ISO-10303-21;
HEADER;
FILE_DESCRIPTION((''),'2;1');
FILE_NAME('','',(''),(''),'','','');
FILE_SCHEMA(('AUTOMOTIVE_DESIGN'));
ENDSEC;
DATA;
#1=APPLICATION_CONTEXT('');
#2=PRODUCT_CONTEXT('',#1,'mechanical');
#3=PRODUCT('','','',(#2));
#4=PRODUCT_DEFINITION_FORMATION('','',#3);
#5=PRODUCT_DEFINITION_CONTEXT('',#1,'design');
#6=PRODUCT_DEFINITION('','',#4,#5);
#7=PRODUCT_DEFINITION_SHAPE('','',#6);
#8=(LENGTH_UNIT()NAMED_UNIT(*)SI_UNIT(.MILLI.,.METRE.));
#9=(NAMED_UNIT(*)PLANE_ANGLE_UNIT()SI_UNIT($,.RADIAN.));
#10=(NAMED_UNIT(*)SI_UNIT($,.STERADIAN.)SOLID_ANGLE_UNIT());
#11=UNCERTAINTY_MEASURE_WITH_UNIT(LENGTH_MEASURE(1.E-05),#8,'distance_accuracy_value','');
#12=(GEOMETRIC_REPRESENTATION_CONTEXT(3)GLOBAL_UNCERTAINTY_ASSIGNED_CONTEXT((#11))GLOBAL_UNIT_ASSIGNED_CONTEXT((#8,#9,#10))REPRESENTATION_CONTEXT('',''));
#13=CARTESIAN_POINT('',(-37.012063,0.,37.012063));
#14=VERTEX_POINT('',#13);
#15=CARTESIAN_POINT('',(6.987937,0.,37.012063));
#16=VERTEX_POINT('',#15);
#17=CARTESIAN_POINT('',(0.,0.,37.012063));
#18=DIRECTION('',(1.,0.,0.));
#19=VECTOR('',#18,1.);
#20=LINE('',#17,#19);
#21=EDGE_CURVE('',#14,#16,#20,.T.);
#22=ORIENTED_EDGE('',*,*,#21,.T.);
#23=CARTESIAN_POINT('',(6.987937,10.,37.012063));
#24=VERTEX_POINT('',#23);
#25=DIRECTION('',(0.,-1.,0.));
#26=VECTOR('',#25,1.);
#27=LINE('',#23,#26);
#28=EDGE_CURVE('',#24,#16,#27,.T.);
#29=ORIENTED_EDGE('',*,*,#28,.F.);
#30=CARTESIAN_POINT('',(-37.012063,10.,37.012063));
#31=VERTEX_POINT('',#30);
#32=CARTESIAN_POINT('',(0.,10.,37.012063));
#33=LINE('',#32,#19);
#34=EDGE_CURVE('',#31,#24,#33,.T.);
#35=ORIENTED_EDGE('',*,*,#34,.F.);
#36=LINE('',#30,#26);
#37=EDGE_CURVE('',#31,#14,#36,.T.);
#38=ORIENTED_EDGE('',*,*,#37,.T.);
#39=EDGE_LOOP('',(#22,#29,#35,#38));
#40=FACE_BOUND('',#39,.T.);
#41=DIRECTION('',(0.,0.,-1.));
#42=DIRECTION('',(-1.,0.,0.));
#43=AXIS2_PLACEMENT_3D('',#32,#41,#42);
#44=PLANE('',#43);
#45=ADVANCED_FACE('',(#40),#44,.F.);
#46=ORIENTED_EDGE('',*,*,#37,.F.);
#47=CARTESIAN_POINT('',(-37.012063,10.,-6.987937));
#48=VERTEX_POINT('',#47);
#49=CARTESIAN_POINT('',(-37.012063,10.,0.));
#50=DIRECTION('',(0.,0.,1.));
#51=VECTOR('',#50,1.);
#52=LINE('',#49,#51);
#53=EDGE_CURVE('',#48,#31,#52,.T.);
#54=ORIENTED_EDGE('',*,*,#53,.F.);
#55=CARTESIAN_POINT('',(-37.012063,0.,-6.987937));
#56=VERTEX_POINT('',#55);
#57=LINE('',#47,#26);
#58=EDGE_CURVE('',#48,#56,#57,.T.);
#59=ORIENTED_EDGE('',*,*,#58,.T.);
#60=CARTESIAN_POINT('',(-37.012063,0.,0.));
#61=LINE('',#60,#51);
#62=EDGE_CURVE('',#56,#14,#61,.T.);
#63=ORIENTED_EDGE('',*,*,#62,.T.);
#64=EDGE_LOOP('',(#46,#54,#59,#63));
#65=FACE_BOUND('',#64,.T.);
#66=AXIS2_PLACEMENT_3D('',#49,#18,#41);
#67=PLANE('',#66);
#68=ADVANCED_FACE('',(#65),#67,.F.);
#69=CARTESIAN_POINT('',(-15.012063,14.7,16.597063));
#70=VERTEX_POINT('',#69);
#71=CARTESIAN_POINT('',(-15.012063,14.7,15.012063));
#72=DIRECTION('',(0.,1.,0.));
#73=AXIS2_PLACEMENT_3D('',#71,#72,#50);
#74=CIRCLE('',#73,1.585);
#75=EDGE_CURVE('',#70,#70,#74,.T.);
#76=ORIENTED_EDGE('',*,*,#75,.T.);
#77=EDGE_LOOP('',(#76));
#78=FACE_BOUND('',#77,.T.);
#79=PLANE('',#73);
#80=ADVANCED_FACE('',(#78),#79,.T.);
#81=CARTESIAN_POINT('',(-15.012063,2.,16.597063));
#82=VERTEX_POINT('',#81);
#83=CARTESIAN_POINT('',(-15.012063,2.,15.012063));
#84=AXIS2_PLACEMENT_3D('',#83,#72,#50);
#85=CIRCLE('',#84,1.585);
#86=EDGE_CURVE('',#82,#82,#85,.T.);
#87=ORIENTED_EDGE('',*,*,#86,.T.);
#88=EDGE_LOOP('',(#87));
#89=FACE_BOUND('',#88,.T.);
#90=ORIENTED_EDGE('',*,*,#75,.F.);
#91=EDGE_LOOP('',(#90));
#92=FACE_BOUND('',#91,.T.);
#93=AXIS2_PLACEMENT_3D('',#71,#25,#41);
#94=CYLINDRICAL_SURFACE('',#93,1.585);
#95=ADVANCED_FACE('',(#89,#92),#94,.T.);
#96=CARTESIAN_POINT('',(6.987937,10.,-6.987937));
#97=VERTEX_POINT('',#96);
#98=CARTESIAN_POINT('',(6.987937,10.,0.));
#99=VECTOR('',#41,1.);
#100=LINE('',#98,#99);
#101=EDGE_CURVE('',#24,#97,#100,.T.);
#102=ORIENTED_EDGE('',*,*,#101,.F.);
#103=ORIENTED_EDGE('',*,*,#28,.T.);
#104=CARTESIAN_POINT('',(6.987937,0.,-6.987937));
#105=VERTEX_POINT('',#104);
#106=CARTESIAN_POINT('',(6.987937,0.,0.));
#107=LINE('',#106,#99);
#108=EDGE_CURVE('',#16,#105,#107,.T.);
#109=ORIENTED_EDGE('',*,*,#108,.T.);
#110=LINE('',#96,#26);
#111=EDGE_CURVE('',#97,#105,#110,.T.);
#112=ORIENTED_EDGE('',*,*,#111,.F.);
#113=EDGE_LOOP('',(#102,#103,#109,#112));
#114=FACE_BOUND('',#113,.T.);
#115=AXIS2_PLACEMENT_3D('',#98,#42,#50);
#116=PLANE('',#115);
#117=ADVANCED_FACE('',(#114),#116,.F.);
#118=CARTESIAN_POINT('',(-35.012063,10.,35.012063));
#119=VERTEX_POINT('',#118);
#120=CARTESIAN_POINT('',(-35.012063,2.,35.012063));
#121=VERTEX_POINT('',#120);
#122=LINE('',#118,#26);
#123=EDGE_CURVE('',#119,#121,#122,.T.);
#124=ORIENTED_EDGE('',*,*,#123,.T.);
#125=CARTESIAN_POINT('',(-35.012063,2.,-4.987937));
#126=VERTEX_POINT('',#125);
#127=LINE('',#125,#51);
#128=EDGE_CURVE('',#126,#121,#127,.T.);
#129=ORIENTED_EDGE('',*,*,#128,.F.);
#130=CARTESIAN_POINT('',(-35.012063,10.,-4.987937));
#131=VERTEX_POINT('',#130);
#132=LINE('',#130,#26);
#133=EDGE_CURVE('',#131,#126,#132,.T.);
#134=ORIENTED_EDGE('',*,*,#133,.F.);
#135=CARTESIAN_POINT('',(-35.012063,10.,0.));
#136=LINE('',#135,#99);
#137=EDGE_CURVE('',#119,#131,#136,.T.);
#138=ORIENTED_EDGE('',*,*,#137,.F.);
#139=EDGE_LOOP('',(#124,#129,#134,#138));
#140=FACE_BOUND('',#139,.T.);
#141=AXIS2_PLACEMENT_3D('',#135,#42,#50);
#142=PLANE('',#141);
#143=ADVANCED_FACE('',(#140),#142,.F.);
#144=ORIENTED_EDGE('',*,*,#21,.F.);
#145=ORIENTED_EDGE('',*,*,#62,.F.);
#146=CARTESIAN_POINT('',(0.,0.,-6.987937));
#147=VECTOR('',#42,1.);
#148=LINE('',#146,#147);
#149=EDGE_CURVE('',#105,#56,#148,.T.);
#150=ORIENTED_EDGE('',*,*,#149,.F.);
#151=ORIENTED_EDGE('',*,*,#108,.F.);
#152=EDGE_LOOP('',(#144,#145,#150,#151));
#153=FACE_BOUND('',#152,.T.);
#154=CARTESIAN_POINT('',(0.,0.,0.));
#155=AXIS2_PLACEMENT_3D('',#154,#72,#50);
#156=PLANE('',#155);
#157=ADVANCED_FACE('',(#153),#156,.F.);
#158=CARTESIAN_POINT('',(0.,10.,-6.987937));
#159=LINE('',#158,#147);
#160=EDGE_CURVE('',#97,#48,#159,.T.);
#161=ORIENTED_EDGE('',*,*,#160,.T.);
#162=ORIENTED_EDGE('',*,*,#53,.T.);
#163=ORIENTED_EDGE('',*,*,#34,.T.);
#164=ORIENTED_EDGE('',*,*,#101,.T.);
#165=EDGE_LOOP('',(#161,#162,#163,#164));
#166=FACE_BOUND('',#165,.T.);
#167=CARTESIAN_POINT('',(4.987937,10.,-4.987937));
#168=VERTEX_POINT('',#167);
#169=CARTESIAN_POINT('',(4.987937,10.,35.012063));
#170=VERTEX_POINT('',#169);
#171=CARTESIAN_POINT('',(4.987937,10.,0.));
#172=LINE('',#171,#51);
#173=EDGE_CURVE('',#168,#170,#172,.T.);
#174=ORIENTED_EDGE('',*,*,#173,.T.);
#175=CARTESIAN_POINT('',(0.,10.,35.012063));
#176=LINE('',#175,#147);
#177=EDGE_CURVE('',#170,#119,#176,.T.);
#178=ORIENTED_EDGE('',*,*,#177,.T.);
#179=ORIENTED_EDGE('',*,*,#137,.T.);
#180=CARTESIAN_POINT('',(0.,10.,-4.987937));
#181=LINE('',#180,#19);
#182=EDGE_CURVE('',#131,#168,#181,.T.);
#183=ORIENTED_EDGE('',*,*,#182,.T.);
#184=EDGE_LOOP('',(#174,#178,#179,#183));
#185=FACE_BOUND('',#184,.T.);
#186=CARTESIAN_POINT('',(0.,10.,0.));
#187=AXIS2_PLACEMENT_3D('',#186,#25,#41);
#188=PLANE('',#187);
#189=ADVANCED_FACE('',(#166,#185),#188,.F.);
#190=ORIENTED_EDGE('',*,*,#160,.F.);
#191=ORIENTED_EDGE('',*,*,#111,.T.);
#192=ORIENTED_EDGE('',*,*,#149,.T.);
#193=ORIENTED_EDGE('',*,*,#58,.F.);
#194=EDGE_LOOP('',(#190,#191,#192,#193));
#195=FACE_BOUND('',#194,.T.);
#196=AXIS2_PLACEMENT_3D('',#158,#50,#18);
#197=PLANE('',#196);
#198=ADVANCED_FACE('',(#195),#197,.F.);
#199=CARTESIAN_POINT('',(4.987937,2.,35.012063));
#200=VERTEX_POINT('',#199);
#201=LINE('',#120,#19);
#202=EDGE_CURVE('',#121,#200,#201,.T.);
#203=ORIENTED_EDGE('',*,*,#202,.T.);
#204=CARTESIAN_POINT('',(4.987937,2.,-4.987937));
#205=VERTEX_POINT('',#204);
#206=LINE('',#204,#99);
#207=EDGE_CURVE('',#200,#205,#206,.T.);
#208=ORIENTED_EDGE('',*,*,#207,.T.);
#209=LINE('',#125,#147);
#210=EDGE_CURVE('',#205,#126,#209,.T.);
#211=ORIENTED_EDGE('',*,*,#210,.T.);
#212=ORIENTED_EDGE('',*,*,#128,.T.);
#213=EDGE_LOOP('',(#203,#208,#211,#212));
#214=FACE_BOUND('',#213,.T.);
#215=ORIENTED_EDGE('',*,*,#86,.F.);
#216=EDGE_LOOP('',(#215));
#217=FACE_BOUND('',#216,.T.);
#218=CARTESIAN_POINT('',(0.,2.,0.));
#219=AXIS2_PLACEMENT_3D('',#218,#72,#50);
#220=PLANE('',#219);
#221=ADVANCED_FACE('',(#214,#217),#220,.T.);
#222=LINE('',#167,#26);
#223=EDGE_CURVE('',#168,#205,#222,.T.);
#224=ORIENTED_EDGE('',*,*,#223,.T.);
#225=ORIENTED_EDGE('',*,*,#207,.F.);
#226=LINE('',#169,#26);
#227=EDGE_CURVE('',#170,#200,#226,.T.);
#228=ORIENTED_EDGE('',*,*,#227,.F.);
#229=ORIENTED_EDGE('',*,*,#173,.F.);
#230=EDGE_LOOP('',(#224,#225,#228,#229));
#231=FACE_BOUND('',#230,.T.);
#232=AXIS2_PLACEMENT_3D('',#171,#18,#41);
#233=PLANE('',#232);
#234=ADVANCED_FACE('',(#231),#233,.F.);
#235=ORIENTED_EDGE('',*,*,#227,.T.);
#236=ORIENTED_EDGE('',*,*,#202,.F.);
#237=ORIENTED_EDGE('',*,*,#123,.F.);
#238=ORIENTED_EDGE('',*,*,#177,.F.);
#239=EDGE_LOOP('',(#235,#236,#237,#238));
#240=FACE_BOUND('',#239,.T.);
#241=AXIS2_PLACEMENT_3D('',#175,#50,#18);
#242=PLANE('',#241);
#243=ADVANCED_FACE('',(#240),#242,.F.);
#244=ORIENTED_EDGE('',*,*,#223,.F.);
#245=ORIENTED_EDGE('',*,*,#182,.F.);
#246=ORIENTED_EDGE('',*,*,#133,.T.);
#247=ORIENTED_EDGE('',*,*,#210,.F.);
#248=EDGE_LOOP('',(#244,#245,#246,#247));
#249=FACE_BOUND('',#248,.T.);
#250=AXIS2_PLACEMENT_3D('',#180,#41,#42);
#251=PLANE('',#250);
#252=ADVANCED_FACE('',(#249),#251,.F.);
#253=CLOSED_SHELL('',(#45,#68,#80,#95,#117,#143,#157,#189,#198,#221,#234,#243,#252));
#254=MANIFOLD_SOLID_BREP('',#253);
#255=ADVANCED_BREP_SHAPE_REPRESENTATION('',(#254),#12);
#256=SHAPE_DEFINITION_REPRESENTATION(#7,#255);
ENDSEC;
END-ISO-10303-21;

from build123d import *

# Parameters (mm, degrees)
ESBO_O1_W                = 40
ESBO_O1_H                = 40
RESSALTO_EXTRUS_O1_DEPTH = 2
ESBO_O2_W                = 40
ESBO_O2_H                = 40
RESSALTO_EXTRUS_O2_DEPTH = 10
ESBO_O3_R                = 1.585
RESSALTO_EXTRUS_O3_DEPTH = 12.7


with BuildPart() as part:
    # Esboço1 → Ressalto-extrusão1 (new body)
    with BuildSketch(Plane(origin=(0, 0, 0), x_dir=(1, 0, 0), z_dir=(0, 1, 0))):
        with Locations((-15.012062533, -15.012062533)):
            Rectangle(ESBO_O1_W, ESBO_O1_H)
    extrude(amount=RESSALTO_EXTRUS_O1_DEPTH)

    # Esboço2 → Ressalto-extrusão2 (add)
    with BuildSketch(Plane.XZ):
        Polygon((-37.012062533, 37.012062533), (-37.012062533, 35.012062533), (-37.012062533, -6.987937467), (-35.012062533, -6.987937467), (6.987937467, -6.987937467), (6.987937467, -4.987937467), (6.987937467, 37.012062533), (4.987937467, 37.012062533), align=None)
        with Locations((-15.012062533, 15.012062533)):
            Rectangle(ESBO_O2_W, ESBO_O2_H, mode=Mode.SUBTRACT)
    extrude(amount=-RESSALTO_EXTRUS_O2_DEPTH)

    # Esboço3 → Ressalto-extrusão3 (add)
    with BuildSketch(Plane(origin=(0, 2, 0), x_dir=(1, 0, 0), z_dir=(0, 1, 0))):
        with Locations(Location((-15.012062533, -15.012062533, 0), (0, 0, 270))):
            Circle(ESBO_O3_R)
    extrude(amount=RESSALTO_EXTRUS_O3_DEPTH)


solid = part.part
